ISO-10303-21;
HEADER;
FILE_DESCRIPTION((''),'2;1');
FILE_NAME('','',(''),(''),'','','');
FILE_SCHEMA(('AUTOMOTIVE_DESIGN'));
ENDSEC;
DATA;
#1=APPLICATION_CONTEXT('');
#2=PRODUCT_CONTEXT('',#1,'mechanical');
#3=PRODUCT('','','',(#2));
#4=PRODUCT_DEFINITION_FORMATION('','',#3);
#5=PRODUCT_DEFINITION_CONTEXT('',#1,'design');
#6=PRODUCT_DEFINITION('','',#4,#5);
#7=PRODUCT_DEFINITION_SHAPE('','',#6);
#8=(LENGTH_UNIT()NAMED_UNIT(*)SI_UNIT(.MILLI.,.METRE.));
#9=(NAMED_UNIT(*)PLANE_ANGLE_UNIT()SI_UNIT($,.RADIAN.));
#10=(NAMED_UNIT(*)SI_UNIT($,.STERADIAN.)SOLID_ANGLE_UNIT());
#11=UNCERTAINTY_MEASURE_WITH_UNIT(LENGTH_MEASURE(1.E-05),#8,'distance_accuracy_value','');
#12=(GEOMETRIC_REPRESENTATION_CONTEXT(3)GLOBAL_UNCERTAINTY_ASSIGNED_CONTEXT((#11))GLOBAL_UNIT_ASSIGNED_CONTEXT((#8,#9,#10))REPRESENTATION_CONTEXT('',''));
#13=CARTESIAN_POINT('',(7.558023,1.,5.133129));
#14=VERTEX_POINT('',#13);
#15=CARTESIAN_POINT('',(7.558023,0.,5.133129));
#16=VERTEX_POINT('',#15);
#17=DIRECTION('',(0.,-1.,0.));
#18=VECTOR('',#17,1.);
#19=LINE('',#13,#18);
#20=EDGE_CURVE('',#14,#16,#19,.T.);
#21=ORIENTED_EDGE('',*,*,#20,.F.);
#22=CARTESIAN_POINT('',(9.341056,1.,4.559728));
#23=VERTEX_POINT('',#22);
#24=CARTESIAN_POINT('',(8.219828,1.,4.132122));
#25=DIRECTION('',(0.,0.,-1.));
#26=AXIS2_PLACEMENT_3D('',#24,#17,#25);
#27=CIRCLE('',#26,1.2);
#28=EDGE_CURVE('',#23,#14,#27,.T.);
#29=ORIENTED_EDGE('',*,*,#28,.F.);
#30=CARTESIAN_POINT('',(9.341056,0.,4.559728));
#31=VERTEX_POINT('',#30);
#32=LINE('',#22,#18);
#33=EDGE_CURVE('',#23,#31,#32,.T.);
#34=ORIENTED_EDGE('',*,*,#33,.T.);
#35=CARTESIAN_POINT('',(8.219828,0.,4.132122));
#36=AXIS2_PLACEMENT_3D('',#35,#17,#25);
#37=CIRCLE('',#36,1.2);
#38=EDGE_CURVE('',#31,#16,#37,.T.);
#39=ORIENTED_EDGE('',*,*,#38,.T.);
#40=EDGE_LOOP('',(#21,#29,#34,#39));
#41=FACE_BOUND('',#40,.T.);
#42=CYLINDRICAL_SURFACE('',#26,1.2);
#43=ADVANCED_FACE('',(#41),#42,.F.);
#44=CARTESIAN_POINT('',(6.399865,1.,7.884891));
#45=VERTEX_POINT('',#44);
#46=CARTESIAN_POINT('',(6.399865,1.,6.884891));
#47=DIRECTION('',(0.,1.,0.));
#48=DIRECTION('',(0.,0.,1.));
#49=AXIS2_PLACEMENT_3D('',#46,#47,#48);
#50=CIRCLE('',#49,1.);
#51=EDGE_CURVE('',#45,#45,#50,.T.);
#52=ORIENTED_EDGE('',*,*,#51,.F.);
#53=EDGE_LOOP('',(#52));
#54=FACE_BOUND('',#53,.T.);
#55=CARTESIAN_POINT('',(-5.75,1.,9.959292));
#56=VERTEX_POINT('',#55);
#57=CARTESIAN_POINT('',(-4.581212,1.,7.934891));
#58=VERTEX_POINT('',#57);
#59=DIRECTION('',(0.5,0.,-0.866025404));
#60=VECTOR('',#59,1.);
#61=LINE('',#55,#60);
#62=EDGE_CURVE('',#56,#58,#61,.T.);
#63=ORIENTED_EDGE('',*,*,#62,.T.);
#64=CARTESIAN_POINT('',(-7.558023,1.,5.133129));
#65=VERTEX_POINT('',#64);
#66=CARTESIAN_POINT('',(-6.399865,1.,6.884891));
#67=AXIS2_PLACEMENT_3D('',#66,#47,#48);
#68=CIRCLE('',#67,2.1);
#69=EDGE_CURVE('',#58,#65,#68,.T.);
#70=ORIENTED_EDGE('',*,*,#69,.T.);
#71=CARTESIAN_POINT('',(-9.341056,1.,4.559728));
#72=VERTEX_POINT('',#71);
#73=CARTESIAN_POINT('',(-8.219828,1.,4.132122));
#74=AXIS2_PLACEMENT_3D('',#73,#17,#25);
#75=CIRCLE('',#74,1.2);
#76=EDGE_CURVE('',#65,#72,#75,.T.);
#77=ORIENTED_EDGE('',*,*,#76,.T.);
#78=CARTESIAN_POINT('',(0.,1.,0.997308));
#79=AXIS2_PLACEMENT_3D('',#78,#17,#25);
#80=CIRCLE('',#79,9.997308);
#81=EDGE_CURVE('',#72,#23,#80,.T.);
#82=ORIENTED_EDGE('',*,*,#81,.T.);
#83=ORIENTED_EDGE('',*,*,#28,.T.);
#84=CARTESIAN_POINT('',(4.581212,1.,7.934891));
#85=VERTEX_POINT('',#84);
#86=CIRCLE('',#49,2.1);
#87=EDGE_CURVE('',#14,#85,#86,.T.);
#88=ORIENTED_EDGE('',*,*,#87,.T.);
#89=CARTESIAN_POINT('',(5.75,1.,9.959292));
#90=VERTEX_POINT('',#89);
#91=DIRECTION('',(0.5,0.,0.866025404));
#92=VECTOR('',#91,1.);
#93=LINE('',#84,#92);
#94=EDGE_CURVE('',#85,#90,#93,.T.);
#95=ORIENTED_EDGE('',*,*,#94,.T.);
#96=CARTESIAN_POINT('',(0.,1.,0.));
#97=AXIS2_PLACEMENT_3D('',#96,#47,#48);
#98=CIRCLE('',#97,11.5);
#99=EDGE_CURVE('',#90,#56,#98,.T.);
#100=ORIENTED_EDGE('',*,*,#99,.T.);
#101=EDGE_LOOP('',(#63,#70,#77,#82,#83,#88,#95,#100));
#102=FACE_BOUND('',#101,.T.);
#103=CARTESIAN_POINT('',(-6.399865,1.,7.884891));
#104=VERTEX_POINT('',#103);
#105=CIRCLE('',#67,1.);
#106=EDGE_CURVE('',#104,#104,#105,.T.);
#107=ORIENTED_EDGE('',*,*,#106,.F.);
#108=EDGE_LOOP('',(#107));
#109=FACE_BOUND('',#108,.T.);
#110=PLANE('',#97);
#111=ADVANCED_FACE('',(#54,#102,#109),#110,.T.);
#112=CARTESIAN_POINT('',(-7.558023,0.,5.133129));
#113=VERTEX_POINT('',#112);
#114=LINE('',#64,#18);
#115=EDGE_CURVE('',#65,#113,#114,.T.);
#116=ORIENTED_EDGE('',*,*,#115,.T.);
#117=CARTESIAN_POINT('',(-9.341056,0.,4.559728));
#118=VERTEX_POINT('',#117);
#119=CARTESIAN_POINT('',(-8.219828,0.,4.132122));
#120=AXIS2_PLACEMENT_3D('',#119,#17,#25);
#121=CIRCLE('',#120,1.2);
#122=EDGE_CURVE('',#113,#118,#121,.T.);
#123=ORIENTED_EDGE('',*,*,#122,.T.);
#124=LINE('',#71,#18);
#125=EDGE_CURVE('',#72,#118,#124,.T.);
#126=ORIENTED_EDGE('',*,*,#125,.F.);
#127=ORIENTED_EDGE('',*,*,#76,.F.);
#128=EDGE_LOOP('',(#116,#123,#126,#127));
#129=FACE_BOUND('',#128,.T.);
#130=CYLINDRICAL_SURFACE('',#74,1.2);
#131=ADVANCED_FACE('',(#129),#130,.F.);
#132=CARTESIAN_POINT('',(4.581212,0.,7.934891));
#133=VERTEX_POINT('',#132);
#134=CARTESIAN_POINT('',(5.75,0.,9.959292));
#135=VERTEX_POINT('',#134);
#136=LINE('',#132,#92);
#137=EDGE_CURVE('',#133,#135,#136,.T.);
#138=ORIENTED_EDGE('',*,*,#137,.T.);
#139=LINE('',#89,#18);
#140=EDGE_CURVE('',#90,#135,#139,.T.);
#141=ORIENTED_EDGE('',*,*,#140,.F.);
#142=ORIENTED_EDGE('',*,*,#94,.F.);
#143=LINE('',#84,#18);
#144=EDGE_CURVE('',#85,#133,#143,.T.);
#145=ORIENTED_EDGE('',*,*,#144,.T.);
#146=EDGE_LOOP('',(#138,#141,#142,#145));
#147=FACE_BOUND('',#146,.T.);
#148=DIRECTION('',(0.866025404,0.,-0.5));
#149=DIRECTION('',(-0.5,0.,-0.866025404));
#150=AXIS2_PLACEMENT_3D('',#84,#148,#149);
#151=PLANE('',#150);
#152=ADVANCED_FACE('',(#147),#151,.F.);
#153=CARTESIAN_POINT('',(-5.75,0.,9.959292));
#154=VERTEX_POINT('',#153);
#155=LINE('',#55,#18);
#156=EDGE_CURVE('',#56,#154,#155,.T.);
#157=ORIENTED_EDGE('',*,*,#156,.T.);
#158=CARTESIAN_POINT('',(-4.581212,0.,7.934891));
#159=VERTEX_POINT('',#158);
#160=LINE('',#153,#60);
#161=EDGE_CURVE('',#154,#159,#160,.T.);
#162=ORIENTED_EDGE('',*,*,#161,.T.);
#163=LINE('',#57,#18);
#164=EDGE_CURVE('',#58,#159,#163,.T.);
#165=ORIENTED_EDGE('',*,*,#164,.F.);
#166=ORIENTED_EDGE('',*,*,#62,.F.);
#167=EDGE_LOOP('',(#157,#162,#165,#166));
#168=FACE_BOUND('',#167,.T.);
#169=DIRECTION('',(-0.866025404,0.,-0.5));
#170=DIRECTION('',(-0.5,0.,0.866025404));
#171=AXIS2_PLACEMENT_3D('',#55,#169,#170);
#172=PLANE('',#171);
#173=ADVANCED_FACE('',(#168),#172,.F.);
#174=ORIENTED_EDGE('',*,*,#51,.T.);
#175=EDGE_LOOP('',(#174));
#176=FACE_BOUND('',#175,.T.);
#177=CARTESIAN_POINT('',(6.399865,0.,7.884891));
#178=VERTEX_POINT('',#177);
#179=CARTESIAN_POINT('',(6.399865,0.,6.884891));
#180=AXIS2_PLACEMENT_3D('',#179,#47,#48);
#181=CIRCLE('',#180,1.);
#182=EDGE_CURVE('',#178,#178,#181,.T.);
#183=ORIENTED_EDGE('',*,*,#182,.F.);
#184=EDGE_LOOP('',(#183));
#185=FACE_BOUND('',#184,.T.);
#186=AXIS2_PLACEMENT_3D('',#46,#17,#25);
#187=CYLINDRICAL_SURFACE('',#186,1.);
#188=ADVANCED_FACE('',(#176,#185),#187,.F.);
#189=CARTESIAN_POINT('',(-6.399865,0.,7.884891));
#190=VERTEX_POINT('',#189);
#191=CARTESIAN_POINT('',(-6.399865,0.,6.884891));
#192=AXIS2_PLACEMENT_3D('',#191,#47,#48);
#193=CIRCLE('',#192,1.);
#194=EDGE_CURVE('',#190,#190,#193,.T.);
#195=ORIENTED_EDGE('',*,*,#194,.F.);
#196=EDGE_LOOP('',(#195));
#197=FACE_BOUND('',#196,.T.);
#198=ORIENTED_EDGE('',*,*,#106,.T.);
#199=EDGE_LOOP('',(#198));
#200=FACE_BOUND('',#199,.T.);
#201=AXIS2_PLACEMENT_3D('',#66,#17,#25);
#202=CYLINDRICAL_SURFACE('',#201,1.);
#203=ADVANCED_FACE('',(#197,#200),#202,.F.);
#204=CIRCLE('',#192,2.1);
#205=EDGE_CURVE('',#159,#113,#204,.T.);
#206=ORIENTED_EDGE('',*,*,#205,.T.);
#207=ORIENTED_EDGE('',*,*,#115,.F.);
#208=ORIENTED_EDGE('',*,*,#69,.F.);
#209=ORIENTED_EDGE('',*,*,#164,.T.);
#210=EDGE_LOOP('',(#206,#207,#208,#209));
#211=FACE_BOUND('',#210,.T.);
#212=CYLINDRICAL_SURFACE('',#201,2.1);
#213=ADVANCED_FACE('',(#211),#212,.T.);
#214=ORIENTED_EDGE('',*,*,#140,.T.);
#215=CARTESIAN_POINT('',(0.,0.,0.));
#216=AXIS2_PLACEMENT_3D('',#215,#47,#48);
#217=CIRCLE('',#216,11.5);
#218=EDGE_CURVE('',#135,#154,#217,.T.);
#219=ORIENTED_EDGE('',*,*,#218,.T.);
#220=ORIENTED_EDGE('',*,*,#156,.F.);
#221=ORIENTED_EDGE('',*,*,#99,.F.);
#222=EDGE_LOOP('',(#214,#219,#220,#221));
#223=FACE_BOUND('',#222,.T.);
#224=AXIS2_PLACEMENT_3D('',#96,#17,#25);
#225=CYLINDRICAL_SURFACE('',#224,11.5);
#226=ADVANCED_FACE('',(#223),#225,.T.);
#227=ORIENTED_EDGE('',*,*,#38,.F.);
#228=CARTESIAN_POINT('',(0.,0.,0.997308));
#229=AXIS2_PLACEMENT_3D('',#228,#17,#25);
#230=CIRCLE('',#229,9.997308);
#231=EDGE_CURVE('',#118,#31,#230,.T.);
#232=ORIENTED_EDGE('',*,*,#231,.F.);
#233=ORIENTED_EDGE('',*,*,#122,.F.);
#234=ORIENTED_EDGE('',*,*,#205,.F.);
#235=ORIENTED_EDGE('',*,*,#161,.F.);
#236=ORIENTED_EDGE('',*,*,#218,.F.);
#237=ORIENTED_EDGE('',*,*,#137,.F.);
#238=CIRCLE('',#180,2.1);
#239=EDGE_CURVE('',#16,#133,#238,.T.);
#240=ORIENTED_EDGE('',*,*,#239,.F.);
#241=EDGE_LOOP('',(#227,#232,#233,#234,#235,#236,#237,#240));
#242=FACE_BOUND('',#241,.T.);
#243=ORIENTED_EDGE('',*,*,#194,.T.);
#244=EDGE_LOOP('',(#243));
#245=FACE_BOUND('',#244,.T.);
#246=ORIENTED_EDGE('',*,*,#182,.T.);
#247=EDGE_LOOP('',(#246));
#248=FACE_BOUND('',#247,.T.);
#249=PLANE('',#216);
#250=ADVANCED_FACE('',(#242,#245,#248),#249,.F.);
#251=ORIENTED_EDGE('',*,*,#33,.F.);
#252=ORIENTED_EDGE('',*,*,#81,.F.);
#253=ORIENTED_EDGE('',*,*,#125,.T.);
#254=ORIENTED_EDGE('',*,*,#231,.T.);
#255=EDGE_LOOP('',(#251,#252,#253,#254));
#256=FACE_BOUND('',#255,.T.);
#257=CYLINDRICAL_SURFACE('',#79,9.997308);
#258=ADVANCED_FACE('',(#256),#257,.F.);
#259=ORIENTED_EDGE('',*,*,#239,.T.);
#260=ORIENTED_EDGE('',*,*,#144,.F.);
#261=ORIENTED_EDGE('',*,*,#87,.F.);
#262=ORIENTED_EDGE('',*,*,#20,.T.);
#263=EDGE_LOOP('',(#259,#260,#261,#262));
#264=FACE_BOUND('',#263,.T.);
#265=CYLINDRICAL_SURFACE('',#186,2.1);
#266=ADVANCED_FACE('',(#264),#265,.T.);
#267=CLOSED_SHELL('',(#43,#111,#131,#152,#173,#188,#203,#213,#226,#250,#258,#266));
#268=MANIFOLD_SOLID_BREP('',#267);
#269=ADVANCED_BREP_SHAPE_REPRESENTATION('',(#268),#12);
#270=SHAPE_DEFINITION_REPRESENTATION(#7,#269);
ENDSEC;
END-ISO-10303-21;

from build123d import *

# Parameters (mm, degrees)
SKETCH_1_R      = 1
EXTRUDE_1_DEPTH = 1


with BuildPart() as part:
    # 草图1 → 凸台-拉伸1 (new body)
    with BuildSketch(Plane(origin=(0, 0, 0), x_dir=(1, 0, 0), z_dir=(0, 1, 0))):
        with BuildLine():
            Line((-5.75, -9.959292144), (-4.58121163, -7.934891304))
            ThreePointArc((-4.58121163, -7.934891304), (-4.960583519, -5.355685993), (-7.558022947, -5.1331293))
            ThreePointArc((-7.558022947, -5.1331293), (-8.587203168, -5.274503777), (-9.341056075, -4.559727963))
            ThreePointArc((-9.341056075, -4.559727963), (0, 9), (9.341056075, -4.559727963))
            ThreePointArc((9.341056075, -4.559727963), (8.587203168, -5.274503777), (7.558022947, -5.1331293))
            ThreePointArc((7.558022947, -5.1331293), (4.960583519, -5.355685993), (4.58121163, -7.934891304))
            Line((4.58121163, -7.934891304), (5.75, -9.959292144))
            ThreePointArc((5.75, -9.959292144), (0, 11.5), (-5.75, -9.959292144))
        make_face()
        with Locations(Location((-6.399864978, -6.884891304, 0), (0, 0, 270))):
            Circle(SKETCH_1_R, mode=Mode.SUBTRACT)
        with Locations(Location((6.399864978, -6.884891304, 0), (0, 0, 270))):
            Circle(SKETCH_1_R, mode=Mode.SUBTRACT)
    extrude(amount=EXTRUDE_1_DEPTH)


solid = part.part
